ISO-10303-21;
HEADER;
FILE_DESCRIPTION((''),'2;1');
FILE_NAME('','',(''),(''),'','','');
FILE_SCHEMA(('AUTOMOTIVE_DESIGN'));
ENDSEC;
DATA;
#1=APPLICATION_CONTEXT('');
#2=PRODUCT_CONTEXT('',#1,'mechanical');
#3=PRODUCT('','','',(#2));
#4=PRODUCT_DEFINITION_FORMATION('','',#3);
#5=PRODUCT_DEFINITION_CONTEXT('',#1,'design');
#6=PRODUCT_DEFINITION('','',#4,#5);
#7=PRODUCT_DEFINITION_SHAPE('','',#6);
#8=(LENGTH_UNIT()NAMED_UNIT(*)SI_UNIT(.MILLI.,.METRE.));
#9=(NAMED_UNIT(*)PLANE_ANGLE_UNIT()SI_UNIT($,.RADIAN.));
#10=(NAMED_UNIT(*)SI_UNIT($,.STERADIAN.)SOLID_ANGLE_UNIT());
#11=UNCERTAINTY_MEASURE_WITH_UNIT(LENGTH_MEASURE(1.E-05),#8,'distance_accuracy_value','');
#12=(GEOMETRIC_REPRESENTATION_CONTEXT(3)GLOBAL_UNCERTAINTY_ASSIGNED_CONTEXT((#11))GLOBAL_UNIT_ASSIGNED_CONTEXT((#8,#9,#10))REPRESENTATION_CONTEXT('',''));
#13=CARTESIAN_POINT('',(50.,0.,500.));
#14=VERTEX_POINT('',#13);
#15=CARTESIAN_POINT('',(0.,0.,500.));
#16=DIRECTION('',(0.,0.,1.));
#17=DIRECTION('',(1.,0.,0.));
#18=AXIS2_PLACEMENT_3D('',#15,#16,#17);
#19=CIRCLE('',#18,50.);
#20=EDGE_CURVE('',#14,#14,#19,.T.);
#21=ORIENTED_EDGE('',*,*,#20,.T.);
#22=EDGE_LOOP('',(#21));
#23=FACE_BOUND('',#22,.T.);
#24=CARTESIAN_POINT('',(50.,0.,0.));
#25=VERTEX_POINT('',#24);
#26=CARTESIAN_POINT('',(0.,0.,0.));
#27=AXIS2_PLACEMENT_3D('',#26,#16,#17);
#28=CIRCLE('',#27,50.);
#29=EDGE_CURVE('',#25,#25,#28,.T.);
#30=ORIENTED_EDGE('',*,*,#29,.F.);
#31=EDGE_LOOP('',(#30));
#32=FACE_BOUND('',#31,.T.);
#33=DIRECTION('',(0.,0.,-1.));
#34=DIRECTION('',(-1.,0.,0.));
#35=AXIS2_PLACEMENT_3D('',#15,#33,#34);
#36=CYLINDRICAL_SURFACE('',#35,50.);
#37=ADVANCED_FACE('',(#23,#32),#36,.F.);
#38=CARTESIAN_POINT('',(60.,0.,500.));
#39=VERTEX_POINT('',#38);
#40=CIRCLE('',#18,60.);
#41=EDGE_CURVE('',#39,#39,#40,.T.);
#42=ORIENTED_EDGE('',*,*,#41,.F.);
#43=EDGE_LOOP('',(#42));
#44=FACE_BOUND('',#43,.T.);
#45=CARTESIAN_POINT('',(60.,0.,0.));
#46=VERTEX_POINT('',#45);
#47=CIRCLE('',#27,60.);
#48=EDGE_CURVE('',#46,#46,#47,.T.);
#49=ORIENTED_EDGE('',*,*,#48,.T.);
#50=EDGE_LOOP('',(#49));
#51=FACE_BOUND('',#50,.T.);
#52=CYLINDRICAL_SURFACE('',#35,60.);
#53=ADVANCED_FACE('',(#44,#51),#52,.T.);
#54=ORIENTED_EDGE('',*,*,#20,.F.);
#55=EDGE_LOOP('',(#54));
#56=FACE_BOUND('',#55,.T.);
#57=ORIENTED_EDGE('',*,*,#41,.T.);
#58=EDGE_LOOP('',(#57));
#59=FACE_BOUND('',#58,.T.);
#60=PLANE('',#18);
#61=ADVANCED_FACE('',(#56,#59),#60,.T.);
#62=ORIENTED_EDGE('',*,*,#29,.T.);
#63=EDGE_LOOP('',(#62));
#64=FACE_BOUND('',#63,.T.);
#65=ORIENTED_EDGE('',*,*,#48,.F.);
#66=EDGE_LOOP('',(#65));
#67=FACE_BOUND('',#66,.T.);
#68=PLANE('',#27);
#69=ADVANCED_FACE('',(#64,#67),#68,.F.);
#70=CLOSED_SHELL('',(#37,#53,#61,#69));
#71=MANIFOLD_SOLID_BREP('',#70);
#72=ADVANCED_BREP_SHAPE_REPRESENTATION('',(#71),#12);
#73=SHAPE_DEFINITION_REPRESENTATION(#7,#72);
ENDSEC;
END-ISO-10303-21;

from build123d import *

# Parameters (mm, degrees)
SKETCH_1_R      = 60
SKETCH_1_R_2    = 50
EXTRUDE_1_DEPTH = 500


with BuildPart() as part:
    # Эскиз1 → Бобышка-Вытянуть1 (new body)
    with BuildSketch(Plane.XY):
        Circle(SKETCH_1_R)
        Circle(SKETCH_1_R_2, mode=Mode.SUBTRACT)
    extrude(amount=EXTRUDE_1_DEPTH)


solid = part.part
